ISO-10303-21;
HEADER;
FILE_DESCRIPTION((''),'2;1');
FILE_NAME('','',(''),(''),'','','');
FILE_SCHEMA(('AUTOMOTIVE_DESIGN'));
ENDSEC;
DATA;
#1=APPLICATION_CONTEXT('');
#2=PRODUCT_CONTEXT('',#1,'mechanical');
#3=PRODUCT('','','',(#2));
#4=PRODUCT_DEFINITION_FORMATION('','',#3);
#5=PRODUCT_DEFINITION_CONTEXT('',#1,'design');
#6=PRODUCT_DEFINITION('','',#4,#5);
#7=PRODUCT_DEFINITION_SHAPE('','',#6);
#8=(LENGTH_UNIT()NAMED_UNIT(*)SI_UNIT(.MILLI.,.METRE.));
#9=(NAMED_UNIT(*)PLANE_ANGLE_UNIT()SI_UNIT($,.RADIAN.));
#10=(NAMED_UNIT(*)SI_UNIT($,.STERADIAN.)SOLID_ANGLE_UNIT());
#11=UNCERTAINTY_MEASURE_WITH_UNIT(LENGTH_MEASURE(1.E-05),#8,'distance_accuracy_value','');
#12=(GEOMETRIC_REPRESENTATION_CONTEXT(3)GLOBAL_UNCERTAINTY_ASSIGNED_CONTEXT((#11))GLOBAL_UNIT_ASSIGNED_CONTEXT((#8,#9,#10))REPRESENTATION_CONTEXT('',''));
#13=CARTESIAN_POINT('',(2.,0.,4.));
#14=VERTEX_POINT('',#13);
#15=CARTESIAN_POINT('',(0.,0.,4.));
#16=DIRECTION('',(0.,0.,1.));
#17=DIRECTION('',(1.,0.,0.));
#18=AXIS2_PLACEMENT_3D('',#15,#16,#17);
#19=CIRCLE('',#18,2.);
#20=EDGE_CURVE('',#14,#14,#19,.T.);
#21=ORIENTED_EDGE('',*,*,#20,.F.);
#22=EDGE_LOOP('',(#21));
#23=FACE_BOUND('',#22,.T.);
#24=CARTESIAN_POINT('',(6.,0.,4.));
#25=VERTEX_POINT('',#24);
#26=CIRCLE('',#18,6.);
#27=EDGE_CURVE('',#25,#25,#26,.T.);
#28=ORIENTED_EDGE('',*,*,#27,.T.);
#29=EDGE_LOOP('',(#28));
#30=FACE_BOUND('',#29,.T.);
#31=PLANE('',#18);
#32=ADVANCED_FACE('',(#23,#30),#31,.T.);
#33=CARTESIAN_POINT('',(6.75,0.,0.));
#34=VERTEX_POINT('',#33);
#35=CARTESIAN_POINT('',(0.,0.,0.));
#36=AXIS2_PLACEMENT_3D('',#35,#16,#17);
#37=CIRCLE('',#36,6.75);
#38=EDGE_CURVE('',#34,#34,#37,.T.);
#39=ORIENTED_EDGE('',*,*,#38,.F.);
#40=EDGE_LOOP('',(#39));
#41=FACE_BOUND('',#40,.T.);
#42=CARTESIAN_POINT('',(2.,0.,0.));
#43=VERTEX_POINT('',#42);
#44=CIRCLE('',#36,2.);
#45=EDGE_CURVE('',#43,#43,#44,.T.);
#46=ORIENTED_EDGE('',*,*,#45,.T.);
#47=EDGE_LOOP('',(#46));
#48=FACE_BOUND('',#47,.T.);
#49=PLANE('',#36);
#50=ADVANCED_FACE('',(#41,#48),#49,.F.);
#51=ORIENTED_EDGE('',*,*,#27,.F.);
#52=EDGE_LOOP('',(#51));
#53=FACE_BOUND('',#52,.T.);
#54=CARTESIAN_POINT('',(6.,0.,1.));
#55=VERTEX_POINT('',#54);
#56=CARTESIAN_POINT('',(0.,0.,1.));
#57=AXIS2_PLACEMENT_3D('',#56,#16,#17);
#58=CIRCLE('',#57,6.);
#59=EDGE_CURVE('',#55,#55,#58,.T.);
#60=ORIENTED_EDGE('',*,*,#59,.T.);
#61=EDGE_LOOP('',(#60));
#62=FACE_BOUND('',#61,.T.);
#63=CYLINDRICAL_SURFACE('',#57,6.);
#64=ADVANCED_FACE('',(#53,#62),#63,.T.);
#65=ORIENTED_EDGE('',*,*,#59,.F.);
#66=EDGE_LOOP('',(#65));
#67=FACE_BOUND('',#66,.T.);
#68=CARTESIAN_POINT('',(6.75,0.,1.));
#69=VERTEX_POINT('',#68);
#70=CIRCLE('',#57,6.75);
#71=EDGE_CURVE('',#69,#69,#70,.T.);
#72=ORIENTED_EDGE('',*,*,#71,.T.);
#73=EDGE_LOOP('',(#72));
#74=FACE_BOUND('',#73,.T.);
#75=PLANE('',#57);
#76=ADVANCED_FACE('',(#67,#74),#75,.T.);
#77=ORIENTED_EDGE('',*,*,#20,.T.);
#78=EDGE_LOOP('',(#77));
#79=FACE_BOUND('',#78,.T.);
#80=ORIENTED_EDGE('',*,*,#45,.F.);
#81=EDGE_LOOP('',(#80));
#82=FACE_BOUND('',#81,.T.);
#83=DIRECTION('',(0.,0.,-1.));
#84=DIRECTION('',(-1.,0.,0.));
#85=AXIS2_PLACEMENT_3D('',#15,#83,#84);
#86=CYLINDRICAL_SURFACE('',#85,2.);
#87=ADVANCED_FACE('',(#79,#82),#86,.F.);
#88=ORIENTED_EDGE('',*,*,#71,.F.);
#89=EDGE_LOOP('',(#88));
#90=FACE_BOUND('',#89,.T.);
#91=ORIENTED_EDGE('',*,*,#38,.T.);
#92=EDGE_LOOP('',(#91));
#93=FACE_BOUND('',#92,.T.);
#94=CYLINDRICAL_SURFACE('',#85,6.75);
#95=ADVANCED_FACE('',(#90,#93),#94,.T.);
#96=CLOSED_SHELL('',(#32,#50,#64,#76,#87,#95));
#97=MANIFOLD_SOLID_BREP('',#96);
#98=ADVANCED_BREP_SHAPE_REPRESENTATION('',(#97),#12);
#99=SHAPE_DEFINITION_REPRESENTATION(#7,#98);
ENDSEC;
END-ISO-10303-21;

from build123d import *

# Parameters (mm, degrees)
SKETCH1_R           = 6.75
SKETCH1_R_2         = 2
BOSS_EXTRUDE1_DEPTH = 4
CUT_EXTRUDE1_START  = -3
SKETCH2_R           = 6.75
SKETCH2_R_2         = 6
CUT_EXTRUDE1_DEPTH  = 3


with BuildPart() as part:
    # Sketch1 → Boss-Extrude1 (new body)
    with BuildSketch(Plane.XY):
        Circle(SKETCH1_R)
        Circle(SKETCH1_R_2, mode=Mode.SUBTRACT)
    extrude(amount=BOSS_EXTRUDE1_DEPTH)

    # Sketch2 → Cut-Extrude1 (cut)
    with BuildSketch(Plane.XY.offset(4).offset(CUT_EXTRUDE1_START)):
        Circle(SKETCH2_R)
        Circle(SKETCH2_R_2, mode=Mode.SUBTRACT)
    extrude(amount=CUT_EXTRUDE1_DEPTH, mode=Mode.SUBTRACT)


solid = part.part
